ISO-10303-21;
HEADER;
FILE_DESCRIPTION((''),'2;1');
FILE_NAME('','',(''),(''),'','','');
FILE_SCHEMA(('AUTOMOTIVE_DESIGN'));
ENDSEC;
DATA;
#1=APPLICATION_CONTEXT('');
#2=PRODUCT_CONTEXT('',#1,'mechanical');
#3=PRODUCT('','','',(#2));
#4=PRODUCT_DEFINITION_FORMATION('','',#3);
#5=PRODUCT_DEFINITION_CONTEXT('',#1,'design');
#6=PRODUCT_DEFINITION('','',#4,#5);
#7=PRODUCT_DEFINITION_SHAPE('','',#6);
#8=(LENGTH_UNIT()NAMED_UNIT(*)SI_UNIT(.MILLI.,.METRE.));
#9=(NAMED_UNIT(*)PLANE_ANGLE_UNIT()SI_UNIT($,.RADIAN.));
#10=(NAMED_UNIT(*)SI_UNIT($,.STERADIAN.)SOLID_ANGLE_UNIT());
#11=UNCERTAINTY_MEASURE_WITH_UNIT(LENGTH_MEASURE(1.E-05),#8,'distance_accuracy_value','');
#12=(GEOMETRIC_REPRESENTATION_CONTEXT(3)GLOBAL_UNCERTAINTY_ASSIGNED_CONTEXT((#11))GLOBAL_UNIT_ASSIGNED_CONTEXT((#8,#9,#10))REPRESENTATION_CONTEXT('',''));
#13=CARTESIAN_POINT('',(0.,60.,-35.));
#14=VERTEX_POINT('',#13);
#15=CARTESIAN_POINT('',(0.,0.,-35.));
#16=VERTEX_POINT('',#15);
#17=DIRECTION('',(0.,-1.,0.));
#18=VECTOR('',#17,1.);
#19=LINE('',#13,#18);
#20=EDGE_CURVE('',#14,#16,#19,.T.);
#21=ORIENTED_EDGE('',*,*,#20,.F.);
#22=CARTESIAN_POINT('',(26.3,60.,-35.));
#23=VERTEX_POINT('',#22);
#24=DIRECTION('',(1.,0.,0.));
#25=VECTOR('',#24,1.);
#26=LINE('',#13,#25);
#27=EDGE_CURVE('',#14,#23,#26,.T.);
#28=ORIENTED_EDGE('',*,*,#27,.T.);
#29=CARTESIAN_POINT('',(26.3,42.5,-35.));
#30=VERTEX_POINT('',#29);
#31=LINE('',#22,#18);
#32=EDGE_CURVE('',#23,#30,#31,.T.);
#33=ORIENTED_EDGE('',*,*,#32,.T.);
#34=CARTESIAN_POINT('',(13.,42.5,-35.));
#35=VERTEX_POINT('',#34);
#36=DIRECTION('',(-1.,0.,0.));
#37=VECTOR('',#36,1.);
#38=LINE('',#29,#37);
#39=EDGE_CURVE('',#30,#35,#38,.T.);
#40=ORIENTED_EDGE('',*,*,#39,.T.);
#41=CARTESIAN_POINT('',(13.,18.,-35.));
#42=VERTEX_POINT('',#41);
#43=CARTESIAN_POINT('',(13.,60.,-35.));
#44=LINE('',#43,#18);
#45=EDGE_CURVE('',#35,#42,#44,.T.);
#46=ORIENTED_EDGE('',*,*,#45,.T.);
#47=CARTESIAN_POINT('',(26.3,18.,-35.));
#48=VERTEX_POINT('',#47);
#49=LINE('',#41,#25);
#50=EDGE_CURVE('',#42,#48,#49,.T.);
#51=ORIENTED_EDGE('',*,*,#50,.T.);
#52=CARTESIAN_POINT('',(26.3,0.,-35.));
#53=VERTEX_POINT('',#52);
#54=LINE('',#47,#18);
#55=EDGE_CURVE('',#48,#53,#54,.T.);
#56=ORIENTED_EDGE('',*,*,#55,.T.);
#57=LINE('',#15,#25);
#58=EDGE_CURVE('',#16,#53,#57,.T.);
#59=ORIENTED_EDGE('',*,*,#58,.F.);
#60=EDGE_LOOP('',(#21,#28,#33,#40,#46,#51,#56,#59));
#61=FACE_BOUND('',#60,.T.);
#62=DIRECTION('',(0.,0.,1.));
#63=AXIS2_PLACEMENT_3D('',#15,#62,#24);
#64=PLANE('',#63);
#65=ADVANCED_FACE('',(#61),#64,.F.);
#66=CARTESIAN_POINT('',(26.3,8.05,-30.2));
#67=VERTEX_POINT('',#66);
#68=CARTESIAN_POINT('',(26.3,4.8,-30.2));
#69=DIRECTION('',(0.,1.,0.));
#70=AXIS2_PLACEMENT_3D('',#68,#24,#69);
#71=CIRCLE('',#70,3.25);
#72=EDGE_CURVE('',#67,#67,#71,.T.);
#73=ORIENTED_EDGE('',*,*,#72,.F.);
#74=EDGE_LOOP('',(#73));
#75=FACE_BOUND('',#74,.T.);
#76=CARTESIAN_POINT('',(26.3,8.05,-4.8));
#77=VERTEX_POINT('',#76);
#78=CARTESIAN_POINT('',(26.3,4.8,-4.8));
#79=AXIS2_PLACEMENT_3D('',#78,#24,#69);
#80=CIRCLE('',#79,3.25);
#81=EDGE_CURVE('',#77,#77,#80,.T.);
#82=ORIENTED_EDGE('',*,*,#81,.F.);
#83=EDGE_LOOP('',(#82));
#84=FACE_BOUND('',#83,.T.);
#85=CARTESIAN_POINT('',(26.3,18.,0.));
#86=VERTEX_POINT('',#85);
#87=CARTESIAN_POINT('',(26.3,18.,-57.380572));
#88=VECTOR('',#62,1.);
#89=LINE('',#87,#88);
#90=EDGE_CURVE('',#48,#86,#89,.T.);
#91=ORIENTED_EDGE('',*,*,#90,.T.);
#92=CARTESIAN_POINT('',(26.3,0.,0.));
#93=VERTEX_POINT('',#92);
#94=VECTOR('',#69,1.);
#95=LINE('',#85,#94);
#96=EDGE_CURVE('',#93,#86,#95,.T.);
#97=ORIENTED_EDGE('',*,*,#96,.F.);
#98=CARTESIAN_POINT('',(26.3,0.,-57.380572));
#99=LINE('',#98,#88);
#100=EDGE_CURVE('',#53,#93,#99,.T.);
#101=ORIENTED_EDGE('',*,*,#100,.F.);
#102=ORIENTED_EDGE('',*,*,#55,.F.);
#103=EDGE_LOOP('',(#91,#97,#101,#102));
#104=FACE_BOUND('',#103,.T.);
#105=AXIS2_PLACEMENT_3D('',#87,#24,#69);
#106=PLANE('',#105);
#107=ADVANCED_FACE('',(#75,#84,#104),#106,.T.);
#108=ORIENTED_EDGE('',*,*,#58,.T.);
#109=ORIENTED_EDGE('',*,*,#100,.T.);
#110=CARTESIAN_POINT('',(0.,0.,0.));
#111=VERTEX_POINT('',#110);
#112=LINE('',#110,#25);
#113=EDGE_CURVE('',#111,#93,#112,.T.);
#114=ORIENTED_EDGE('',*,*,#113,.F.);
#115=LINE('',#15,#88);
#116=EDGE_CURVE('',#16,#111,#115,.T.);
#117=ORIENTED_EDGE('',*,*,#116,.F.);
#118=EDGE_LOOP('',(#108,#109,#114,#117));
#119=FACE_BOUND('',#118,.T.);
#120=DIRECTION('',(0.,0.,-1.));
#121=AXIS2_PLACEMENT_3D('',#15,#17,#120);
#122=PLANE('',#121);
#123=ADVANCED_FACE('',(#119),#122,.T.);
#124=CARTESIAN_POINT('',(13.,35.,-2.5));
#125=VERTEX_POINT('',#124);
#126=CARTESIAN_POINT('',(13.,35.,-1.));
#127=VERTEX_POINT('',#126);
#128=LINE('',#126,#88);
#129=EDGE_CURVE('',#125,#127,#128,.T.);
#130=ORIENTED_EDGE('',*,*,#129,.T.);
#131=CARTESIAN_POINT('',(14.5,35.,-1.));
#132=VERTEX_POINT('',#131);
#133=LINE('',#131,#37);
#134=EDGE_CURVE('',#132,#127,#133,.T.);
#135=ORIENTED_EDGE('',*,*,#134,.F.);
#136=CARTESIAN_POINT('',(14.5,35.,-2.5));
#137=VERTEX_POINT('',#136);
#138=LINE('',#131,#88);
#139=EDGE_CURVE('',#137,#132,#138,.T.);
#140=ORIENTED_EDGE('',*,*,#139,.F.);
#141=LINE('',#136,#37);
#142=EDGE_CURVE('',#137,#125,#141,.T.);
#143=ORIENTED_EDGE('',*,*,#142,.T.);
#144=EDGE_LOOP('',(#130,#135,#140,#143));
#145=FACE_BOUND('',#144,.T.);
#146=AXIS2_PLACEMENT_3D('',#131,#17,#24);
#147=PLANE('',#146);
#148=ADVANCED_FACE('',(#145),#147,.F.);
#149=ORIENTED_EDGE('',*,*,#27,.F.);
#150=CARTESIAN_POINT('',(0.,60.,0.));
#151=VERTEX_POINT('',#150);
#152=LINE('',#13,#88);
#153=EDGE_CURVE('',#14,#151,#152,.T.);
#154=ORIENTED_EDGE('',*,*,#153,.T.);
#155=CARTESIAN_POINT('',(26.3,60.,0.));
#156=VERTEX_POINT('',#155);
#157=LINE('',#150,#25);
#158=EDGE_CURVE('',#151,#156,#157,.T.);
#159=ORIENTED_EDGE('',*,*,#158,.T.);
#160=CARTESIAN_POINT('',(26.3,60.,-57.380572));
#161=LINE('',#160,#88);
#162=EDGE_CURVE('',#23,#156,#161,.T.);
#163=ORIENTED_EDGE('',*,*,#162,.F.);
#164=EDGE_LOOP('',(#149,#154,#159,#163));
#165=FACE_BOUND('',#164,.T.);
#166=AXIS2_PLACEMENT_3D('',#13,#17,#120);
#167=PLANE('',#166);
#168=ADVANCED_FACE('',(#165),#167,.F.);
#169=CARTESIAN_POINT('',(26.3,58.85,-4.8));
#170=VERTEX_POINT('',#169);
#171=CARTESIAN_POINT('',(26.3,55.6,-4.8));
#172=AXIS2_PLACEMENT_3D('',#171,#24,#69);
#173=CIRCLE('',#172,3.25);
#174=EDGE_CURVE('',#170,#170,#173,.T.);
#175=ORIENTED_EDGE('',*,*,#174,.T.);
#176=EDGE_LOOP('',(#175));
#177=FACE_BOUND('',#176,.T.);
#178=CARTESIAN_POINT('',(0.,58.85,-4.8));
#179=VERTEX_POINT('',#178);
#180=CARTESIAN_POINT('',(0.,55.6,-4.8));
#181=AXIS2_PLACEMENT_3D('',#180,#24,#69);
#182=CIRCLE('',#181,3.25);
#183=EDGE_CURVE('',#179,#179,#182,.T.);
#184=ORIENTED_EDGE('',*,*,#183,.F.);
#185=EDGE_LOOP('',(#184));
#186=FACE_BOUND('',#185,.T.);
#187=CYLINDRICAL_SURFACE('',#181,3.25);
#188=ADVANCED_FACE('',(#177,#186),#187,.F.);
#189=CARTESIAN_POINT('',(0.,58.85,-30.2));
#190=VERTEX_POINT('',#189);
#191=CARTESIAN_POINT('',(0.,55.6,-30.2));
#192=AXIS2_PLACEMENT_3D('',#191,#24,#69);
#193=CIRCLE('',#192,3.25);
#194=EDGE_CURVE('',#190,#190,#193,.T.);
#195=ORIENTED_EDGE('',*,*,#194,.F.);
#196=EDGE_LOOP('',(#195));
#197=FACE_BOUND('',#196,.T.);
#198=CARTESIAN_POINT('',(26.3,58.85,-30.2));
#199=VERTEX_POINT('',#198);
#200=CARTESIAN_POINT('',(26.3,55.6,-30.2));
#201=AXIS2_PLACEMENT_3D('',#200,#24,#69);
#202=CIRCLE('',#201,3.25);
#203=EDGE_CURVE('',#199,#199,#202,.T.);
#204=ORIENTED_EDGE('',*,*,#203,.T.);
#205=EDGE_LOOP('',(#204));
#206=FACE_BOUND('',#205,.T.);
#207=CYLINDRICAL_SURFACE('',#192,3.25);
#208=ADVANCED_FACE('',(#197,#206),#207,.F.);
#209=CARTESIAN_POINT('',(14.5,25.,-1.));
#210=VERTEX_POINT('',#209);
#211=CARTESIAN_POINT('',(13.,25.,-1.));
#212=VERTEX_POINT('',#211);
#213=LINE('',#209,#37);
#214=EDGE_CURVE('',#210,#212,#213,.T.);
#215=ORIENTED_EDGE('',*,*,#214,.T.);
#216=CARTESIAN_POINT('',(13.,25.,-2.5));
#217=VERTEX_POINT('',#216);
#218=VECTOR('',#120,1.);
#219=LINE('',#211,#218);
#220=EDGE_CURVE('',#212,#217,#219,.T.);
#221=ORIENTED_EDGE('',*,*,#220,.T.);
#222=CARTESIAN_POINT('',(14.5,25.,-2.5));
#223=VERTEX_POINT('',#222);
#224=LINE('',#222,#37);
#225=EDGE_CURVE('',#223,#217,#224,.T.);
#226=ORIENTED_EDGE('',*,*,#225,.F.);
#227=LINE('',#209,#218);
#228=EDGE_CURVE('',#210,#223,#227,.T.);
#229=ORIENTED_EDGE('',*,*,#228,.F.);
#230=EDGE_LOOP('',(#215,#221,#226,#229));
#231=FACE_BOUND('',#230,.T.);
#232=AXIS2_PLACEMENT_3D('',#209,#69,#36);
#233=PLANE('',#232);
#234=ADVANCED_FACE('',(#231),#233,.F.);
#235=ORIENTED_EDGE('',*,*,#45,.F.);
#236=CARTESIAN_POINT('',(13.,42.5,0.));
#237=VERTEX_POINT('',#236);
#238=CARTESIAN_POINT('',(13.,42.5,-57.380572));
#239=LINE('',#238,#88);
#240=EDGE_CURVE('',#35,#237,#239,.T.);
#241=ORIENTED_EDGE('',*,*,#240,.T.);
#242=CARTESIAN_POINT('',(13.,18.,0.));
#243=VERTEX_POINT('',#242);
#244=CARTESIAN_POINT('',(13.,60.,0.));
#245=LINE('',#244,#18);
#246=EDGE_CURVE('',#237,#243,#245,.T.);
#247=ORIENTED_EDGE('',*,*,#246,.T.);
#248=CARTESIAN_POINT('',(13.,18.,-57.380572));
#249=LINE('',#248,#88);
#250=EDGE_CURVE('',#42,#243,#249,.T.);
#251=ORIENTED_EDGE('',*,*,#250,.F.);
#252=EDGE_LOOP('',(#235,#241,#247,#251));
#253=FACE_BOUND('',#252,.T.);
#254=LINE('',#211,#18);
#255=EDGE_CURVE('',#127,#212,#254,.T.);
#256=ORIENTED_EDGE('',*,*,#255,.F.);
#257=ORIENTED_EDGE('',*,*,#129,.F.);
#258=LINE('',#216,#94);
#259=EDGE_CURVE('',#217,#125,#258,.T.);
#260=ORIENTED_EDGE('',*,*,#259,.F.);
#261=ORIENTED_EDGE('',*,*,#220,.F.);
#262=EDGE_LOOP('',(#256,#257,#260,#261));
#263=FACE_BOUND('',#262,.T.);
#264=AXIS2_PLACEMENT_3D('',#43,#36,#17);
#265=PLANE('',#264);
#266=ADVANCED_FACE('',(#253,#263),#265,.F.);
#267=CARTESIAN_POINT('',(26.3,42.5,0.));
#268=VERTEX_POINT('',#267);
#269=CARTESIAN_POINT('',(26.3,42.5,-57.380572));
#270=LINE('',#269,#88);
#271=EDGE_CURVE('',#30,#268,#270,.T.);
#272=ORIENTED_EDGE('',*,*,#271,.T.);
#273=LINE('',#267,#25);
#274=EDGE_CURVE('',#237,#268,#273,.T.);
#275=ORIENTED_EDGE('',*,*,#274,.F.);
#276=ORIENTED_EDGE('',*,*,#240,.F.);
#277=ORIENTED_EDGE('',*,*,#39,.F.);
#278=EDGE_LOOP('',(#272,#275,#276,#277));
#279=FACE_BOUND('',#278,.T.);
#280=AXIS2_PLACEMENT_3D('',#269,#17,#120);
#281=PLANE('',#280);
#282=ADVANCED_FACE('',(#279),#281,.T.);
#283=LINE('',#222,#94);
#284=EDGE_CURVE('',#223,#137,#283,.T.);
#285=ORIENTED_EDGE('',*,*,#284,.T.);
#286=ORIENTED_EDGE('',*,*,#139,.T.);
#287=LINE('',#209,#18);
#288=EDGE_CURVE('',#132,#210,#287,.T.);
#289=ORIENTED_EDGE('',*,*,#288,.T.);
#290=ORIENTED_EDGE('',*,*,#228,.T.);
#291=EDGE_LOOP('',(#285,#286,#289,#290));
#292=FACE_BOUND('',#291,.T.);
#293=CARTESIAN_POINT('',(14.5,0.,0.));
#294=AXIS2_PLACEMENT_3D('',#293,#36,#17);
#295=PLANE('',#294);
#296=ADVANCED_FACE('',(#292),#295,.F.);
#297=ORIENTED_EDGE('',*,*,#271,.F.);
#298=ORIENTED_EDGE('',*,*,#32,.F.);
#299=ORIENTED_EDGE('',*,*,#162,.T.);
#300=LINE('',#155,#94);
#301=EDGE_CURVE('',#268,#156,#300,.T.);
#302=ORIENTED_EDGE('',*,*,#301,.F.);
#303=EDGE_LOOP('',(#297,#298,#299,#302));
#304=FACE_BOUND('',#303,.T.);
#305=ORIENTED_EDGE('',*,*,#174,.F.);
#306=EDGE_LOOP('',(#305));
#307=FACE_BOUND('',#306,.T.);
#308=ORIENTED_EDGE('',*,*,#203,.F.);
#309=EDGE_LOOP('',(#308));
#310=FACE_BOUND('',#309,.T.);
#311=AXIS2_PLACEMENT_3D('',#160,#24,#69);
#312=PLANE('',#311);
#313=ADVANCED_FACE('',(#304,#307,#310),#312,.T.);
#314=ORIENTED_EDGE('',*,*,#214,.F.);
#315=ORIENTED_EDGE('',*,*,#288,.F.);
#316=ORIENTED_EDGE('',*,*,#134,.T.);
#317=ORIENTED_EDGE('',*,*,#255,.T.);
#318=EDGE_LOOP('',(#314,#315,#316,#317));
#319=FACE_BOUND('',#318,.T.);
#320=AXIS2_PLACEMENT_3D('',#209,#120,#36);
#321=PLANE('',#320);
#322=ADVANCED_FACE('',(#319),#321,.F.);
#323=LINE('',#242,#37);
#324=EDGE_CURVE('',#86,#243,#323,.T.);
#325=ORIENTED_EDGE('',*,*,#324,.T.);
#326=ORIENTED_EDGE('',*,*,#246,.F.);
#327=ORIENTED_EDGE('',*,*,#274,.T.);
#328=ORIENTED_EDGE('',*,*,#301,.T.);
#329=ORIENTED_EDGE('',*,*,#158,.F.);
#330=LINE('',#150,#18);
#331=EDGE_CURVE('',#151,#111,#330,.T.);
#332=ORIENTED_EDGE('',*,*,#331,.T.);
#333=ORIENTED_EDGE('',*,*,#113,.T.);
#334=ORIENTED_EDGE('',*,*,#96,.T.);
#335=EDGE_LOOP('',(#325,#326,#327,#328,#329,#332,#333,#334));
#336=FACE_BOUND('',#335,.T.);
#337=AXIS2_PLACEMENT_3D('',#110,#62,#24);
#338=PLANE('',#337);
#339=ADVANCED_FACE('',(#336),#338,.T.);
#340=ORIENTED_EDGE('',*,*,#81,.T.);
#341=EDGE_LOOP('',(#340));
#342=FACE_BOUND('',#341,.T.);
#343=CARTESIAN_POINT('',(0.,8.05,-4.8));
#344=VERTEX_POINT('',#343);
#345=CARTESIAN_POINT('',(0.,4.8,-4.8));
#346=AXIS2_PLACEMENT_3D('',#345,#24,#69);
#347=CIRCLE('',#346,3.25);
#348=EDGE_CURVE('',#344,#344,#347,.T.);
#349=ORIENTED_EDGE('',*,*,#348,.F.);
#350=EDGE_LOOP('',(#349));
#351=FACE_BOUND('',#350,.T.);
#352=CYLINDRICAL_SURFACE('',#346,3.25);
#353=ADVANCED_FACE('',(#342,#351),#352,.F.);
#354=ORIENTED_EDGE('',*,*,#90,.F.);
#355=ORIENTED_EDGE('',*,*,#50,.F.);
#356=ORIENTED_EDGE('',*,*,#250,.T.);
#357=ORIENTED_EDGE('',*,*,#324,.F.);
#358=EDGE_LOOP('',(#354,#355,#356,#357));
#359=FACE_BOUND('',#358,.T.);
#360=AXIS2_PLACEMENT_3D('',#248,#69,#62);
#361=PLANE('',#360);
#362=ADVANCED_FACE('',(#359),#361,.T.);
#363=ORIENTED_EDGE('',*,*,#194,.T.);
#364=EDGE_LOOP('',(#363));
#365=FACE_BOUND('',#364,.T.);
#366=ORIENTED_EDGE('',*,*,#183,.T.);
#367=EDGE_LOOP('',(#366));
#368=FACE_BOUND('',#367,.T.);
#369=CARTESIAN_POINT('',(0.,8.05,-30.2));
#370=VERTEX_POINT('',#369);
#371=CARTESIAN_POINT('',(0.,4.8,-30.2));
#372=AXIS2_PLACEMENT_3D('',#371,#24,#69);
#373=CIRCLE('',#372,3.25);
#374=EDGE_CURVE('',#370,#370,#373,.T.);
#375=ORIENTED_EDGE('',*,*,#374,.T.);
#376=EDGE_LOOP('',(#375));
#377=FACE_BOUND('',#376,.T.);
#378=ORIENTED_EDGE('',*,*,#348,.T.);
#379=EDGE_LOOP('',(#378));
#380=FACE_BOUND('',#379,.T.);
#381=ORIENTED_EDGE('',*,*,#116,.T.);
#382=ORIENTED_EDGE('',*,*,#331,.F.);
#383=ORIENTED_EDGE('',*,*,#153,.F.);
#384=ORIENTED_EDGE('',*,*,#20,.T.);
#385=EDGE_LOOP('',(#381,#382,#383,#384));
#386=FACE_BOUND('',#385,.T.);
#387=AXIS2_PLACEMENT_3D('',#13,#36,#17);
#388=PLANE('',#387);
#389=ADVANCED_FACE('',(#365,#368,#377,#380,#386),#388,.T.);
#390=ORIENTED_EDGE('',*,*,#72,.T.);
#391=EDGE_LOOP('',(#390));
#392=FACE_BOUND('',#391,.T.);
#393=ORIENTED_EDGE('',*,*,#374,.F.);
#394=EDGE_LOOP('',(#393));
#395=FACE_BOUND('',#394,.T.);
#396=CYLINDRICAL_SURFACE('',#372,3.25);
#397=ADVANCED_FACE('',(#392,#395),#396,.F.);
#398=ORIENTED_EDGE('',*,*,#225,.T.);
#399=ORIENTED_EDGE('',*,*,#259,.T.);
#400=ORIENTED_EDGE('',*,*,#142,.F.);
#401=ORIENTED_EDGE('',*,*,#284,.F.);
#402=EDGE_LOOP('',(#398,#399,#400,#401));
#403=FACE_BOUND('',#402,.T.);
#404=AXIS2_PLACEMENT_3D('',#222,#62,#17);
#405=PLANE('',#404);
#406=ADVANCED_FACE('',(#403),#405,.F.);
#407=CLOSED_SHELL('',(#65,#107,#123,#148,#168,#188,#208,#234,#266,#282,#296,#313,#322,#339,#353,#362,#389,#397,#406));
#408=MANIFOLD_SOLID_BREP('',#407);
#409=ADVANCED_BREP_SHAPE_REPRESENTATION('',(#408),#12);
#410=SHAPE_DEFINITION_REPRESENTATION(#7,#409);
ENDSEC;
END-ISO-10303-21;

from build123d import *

# Parameters (mm, degrees)
SKETCH1_W           = 13
SKETCH1_H           = 60
BOSS_EXTRUDE1_DEPTH = 35
SKETCH3_W           = 1.5
SKETCH3_H           = 10
BOSS_EXTRUDE2_DEPTH = 1.5
SKETCH7_W           = 13.3
SKETCH7_H           = 17.5
SKETCH7_H_2         = 18
BOSS_EXTRUDE6_DEPTH = 35
SKETCH11_R          = 3.25
CUT_EXTRUDE2_DEPTH  = 27.3


with BuildPart() as part:
    # Sketch1 → Boss-Extrude1 (new body)
    with BuildSketch(Plane.XY):
        with Locations((6.5, 30)):
            Rectangle(SKETCH1_W, SKETCH1_H)
    extrude(amount=-BOSS_EXTRUDE1_DEPTH)

    # Sketch3 → Boss-Extrude2 (add)
    with BuildSketch(Plane(origin=(13, 0, 0), x_dir=(0, 0, -1), z_dir=(1, 0, 0))):
        with Locations((1.75, 30)):
            Rectangle(SKETCH3_W, SKETCH3_H)
    extrude(amount=BOSS_EXTRUDE2_DEPTH)

    # Sketch7 → Boss-Extrude6 (add)
    with BuildSketch(Plane.XY):
        with Locations((19.65, 51.25)):
            Rectangle(SKETCH7_W, SKETCH7_H)
        with Locations((19.65, 9)):
            Rectangle(SKETCH7_W, SKETCH7_H_2)
    extrude(amount=-BOSS_EXTRUDE6_DEPTH)

    # Sketch11 → Cut-Extrude2 (cut, through all)
    with BuildSketch(Plane(origin=(26.3, 0, 0), x_dir=(0, 0, -1), z_dir=(1, 0, 0))):
        with Locations((4.8, 4.8)):
            Circle(SKETCH11_R)
        with Locations((30.2, 4.8)):
            Circle(SKETCH11_R)
        with Locations((30.2, 55.6)):
            Circle(SKETCH11_R)
        with Locations((4.8, 55.6)):
            Circle(SKETCH11_R)
    extrude(amount=-CUT_EXTRUDE2_DEPTH, mode=Mode.SUBTRACT)


solid = part.part
